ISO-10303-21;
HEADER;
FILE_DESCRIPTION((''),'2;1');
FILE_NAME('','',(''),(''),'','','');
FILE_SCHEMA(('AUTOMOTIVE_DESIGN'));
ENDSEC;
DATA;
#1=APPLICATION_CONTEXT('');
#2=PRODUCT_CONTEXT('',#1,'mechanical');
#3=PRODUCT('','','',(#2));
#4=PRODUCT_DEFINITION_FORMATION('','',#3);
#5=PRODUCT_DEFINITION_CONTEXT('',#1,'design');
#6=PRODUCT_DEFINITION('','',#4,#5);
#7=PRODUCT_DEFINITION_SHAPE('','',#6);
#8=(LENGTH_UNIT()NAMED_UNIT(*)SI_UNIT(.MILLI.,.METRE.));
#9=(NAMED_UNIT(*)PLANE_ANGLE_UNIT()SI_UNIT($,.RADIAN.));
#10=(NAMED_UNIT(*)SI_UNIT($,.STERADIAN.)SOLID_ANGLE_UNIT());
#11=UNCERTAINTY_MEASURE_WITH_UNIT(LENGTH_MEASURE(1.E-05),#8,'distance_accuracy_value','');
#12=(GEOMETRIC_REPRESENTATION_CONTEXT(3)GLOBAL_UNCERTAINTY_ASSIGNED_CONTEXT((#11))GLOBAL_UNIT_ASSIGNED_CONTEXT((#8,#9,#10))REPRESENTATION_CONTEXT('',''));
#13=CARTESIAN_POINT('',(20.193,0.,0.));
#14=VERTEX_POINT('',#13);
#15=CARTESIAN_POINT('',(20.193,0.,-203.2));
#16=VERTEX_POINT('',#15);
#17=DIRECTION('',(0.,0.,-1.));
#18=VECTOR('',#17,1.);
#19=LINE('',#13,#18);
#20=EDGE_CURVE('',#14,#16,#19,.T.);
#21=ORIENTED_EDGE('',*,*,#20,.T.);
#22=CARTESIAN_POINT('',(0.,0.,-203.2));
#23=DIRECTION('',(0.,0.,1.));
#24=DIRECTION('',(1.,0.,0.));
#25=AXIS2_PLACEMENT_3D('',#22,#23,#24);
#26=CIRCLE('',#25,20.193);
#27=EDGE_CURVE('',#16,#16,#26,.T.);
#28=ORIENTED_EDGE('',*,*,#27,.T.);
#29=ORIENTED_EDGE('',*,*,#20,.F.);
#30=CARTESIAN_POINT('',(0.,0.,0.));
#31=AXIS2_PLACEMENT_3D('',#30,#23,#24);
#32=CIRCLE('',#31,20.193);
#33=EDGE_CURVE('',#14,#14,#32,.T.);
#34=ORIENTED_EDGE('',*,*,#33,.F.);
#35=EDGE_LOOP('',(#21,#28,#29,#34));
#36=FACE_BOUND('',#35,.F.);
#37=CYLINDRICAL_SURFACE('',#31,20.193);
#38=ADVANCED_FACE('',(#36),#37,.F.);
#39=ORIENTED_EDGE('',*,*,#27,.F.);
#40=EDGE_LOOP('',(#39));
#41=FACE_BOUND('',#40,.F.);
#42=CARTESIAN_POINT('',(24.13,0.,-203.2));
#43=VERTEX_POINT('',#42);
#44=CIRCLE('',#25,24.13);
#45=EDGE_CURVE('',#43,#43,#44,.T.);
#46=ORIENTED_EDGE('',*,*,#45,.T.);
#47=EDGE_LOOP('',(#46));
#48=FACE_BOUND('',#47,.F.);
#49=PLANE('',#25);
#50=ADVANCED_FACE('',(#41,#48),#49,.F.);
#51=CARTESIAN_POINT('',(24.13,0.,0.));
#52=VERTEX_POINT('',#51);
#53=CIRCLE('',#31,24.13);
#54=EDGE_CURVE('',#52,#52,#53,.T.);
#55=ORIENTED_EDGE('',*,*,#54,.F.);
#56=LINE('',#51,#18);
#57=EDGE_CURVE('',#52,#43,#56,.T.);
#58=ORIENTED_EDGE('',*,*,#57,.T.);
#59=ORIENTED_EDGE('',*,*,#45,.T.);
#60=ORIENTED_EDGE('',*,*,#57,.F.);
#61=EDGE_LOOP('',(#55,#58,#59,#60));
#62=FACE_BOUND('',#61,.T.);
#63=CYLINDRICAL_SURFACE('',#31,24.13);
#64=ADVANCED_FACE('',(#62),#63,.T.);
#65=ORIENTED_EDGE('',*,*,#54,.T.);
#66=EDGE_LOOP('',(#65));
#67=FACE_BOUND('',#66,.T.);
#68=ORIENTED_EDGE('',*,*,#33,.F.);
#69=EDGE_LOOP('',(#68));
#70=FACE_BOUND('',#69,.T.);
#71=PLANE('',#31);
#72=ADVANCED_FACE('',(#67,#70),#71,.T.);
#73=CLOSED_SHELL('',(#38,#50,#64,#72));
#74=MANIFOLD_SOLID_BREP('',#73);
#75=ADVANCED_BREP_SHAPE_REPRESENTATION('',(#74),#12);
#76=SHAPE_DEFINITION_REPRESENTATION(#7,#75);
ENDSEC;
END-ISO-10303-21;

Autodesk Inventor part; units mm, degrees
ref_plane "YZ Plane" through (0, 0, 0) normal (1, 0, 0) x (0, 1, 0)
ref_plane "XZ Plane" through (0, 0, 0) normal (0, 1, 0) x (-1, 0, 0)
ref_plane "XY Plane" through (0, 0, 0) normal (0, 0, 1) x (1, 0, 0)
sketch "Sketch1" plane through (0, 0, 0) normal (0, 0, 1) x (1, 0, 0)
  circle A0 centre (0, 0) radius 20.193
  circle A1 centre (0, 0) radius 24.13
  dimension "d0" = 40.386
  dimension "d1" = 48.26
extrude "Extrusion1" add sketch "Sketch1" against normal blind 203.2
properties part number "8 in pvc roller 1.379"
